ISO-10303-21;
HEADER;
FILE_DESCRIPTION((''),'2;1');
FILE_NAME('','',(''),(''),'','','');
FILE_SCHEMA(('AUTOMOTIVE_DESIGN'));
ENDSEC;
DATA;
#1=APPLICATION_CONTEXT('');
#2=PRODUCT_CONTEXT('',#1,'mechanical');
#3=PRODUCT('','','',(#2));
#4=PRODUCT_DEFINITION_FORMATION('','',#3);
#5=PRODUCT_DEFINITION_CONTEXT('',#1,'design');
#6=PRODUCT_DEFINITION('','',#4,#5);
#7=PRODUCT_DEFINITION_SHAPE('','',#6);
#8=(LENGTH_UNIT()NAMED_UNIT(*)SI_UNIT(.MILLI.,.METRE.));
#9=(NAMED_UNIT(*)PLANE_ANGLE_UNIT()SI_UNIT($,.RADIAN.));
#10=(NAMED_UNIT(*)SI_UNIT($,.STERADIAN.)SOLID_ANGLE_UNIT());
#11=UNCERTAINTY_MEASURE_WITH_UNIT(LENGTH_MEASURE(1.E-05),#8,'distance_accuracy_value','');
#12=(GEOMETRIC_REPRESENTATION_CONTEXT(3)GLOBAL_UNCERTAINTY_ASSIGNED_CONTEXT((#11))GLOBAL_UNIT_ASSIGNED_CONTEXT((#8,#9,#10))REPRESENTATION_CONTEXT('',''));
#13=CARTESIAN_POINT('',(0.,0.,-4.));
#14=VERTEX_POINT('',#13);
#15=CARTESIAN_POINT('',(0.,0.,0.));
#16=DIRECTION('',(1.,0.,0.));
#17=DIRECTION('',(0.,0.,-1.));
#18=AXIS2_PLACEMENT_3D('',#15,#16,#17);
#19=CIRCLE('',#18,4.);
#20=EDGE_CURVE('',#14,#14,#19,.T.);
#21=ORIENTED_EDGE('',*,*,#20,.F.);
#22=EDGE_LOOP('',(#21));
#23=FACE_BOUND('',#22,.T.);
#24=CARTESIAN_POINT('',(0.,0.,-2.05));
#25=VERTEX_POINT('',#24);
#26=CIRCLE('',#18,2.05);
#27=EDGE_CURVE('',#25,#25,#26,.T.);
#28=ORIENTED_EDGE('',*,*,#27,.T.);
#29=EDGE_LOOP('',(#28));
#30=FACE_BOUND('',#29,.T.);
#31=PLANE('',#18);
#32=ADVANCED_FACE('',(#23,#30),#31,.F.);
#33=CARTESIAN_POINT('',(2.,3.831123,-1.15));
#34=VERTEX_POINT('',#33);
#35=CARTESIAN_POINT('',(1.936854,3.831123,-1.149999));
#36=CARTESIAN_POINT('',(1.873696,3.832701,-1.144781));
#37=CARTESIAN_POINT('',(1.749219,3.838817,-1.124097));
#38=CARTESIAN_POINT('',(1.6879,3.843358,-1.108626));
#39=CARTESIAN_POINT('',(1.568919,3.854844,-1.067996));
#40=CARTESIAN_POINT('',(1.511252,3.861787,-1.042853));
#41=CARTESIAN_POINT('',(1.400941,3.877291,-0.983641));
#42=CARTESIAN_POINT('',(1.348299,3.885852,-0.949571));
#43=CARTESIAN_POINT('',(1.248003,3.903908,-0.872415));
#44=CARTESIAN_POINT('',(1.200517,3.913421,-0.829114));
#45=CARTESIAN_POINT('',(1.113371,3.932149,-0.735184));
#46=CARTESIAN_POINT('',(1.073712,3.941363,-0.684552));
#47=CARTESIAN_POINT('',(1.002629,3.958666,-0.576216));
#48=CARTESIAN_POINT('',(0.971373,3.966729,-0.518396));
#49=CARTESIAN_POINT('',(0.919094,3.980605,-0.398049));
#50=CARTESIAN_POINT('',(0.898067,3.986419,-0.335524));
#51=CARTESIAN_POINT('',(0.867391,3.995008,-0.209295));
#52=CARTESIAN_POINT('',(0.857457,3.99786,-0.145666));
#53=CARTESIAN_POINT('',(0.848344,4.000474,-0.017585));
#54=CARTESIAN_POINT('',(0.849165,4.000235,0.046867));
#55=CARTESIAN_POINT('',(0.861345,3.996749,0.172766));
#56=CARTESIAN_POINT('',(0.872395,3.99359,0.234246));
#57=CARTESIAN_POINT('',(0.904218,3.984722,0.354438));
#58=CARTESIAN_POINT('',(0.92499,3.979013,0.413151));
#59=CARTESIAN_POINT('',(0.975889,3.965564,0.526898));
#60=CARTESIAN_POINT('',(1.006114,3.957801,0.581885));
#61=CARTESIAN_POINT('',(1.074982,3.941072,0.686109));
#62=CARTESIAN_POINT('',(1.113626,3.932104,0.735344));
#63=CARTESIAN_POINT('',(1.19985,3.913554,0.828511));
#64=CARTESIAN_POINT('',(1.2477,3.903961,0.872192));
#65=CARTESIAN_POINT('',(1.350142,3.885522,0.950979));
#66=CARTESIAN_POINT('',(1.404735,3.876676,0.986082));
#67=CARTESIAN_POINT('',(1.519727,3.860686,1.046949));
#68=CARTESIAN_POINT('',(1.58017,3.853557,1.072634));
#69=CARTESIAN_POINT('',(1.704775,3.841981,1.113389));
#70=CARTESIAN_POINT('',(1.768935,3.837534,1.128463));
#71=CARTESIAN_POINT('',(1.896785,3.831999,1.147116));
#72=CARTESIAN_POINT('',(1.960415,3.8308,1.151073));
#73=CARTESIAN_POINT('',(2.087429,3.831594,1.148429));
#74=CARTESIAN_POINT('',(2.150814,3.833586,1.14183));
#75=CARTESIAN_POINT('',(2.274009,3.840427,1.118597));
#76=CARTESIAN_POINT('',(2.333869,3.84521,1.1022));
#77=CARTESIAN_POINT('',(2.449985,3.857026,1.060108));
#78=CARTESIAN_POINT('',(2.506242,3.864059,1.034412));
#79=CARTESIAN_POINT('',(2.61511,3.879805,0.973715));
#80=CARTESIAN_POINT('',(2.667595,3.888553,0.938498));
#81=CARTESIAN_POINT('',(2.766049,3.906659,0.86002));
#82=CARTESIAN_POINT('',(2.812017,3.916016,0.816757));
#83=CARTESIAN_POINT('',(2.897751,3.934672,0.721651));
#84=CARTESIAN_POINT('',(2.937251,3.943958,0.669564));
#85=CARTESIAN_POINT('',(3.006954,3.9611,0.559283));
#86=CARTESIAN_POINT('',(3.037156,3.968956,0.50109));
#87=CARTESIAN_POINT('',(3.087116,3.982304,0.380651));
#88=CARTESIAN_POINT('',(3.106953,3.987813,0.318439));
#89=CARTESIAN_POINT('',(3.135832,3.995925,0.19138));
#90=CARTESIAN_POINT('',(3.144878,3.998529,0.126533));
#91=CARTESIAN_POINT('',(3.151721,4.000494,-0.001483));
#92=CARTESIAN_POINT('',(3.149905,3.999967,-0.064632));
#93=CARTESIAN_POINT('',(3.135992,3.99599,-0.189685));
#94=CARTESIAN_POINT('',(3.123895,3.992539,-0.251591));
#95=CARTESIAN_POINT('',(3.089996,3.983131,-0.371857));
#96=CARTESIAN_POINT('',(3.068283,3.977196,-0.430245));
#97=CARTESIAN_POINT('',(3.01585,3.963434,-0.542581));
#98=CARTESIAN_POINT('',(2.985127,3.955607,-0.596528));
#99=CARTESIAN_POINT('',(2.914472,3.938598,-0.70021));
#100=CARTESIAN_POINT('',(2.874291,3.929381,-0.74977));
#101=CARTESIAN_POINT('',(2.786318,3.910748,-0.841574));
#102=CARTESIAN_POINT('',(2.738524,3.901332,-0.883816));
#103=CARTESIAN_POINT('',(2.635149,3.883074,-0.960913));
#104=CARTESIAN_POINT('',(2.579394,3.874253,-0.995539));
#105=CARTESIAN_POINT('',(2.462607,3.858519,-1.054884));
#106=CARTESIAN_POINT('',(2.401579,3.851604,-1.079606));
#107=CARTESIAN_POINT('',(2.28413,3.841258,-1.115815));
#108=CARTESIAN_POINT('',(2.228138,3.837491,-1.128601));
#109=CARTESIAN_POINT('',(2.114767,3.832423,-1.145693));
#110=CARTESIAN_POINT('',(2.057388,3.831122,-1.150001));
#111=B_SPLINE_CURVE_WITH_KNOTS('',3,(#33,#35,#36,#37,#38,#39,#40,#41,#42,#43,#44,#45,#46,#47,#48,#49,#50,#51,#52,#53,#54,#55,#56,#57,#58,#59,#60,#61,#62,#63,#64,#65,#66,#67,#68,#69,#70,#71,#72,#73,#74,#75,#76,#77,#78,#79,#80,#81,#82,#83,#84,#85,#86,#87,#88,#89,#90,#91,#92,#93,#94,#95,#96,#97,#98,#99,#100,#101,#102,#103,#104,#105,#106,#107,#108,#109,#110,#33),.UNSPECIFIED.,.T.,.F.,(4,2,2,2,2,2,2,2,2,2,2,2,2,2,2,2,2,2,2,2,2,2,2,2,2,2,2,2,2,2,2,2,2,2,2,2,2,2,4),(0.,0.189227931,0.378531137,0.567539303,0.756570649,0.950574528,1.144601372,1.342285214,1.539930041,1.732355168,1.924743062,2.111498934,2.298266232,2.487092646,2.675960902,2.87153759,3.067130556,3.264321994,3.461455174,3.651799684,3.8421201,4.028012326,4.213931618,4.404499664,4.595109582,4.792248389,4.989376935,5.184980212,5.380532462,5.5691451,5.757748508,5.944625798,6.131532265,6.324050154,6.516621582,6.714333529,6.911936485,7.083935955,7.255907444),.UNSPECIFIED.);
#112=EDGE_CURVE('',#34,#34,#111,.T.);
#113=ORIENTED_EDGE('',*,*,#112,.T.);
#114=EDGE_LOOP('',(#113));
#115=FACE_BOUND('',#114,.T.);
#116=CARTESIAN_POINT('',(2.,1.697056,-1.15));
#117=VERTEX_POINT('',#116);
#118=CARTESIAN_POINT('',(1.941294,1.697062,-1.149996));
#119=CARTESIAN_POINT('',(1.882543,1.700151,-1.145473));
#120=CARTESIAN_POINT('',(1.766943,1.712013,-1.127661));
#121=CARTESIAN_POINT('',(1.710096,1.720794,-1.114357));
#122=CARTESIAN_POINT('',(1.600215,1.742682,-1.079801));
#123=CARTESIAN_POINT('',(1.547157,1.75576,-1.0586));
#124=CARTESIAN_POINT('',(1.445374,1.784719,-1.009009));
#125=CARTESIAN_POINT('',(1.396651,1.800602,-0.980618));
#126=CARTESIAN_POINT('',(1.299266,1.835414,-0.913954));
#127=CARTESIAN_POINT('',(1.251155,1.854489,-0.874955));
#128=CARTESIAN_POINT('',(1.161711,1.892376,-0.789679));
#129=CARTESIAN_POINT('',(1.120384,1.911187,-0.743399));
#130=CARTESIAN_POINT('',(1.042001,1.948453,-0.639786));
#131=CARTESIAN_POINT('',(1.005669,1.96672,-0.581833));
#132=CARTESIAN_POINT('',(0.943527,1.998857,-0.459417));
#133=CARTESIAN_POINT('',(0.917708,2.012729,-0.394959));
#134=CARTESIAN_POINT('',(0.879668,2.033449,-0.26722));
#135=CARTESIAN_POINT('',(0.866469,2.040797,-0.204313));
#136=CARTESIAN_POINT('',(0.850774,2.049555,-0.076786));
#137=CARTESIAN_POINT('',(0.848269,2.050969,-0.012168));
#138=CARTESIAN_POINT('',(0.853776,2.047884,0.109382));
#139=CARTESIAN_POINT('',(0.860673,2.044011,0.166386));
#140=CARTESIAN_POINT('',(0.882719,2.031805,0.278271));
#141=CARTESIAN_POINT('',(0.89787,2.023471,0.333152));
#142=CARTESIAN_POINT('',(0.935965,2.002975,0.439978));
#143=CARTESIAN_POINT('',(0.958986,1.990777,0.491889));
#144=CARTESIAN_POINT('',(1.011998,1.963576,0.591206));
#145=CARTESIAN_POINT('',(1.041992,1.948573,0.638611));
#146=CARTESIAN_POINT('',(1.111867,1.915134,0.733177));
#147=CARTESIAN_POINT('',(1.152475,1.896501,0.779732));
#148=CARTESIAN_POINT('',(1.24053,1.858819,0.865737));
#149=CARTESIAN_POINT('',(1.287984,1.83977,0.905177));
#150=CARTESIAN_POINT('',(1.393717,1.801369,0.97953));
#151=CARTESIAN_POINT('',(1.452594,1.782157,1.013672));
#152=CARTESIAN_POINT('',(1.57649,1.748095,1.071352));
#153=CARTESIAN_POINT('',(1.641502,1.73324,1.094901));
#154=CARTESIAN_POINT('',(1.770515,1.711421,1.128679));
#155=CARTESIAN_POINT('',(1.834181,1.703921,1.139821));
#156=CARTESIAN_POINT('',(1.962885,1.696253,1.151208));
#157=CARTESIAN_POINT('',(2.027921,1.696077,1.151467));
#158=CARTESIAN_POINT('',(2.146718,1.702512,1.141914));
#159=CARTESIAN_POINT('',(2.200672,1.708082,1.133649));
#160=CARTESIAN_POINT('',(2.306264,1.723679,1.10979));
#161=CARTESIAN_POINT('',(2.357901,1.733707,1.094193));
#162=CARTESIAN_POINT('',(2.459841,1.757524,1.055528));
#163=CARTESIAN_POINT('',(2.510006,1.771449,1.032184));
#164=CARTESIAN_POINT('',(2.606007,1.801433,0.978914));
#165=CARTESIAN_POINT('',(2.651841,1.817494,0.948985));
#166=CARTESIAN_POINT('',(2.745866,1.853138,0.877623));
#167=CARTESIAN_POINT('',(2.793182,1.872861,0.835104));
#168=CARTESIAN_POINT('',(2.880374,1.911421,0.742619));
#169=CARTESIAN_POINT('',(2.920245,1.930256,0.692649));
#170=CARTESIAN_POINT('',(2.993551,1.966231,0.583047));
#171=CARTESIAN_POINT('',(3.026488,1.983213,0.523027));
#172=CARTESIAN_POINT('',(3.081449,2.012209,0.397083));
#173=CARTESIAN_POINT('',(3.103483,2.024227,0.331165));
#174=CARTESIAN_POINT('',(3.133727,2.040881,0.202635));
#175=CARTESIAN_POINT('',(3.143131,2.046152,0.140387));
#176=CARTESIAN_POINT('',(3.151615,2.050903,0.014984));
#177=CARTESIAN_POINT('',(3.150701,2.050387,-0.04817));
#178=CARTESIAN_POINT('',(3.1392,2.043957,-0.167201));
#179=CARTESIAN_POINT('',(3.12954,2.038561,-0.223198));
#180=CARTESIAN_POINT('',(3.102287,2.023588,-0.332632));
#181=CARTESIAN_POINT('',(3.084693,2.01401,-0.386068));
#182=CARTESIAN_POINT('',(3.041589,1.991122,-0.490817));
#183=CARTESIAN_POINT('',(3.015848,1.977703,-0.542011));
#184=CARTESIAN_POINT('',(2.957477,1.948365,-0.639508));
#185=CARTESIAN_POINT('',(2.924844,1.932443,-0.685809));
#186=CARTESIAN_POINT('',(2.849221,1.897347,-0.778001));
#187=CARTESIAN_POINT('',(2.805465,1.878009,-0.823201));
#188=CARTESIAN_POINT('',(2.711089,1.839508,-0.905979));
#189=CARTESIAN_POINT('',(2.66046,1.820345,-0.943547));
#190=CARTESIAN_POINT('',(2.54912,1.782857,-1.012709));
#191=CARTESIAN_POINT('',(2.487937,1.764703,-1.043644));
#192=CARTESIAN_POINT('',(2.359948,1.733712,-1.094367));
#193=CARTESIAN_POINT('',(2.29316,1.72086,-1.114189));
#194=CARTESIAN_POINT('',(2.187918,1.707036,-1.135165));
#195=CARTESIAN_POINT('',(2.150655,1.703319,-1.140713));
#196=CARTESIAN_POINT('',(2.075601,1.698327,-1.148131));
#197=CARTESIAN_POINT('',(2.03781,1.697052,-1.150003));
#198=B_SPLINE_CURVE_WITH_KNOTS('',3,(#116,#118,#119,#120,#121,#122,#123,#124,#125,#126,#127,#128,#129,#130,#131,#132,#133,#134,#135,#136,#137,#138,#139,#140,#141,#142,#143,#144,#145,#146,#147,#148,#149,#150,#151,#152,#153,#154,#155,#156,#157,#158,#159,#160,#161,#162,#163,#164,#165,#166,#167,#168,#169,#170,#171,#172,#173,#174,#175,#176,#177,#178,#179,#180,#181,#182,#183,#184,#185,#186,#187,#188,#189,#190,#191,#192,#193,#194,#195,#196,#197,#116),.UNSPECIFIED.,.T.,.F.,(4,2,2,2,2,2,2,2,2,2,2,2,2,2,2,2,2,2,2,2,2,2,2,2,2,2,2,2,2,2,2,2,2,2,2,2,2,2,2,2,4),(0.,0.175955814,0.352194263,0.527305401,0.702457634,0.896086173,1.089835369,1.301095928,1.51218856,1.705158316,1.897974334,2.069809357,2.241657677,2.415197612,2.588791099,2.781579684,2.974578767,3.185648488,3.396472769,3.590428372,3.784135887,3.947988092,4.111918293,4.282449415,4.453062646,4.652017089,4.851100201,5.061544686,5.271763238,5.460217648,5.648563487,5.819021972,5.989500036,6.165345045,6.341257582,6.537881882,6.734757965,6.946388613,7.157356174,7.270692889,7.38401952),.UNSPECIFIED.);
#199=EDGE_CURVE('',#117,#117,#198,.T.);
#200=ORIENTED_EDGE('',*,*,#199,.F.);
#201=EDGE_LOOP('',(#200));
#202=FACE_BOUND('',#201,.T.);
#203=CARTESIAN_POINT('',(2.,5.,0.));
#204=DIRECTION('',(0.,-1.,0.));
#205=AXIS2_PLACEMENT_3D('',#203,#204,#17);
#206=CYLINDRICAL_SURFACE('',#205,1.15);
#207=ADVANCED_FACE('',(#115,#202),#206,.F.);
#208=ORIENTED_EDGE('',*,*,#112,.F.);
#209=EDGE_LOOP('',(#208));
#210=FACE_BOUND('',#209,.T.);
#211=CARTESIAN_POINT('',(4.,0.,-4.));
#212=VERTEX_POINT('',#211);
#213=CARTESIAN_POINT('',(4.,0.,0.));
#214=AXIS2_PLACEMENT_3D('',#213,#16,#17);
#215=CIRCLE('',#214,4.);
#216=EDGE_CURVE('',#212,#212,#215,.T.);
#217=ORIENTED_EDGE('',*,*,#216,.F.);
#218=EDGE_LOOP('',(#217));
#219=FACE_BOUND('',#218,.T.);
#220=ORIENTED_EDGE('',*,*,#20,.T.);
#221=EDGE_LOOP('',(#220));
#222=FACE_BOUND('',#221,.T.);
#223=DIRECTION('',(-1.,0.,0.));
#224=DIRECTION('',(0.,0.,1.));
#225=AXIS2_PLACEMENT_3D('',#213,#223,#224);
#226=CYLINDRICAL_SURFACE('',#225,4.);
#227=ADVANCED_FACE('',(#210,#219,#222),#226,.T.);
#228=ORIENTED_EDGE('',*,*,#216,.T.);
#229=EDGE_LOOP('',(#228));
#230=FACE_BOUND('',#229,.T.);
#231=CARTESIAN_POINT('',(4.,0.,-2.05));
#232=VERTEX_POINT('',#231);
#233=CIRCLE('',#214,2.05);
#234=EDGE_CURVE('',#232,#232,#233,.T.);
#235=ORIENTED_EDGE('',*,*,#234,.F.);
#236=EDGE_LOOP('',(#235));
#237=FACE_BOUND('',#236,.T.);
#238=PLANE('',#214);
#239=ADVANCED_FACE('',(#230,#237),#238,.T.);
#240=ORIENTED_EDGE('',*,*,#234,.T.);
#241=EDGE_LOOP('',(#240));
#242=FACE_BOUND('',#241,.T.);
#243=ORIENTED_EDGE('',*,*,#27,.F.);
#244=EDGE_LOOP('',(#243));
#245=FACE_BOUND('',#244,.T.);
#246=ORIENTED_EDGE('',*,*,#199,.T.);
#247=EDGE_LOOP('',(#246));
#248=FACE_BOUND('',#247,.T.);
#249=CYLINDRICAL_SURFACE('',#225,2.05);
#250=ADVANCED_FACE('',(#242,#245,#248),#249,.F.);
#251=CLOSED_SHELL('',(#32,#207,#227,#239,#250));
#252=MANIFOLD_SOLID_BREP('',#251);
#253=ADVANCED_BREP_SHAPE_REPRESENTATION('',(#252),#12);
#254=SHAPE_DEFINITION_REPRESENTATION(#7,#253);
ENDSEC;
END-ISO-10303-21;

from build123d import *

# Parameters (mm, degrees)
SKETCH_1_R          = 4
SKETCH_1_R_2        = 2.05
EXTRUDE_1_DEPTH     = 4
SKETCH_2_R          = 1.15
CUT_EXTRUDE_1_DEPTH = 5


with BuildPart() as part:
    # 草图1 → 凸台-拉伸1 (new body)
    with BuildSketch(Plane(origin=(0, 0, 0), x_dir=(0, 0, -1), z_dir=(1, 0, 0))):
        Circle(SKETCH_1_R)
        Circle(SKETCH_1_R_2, mode=Mode.SUBTRACT)
    extrude(amount=EXTRUDE_1_DEPTH)

    # 草图2 → 切除-拉伸1 (cut)
    with BuildSketch(Plane(origin=(0, 0, 0), x_dir=(1, 0, 0), z_dir=(0, 1, 0))):
        with Locations(Location((2, 0, 0), (0, 0, 90))):
            Circle(SKETCH_2_R)
    extrude(amount=CUT_EXTRUDE_1_DEPTH, mode=Mode.SUBTRACT)


solid = part.part
